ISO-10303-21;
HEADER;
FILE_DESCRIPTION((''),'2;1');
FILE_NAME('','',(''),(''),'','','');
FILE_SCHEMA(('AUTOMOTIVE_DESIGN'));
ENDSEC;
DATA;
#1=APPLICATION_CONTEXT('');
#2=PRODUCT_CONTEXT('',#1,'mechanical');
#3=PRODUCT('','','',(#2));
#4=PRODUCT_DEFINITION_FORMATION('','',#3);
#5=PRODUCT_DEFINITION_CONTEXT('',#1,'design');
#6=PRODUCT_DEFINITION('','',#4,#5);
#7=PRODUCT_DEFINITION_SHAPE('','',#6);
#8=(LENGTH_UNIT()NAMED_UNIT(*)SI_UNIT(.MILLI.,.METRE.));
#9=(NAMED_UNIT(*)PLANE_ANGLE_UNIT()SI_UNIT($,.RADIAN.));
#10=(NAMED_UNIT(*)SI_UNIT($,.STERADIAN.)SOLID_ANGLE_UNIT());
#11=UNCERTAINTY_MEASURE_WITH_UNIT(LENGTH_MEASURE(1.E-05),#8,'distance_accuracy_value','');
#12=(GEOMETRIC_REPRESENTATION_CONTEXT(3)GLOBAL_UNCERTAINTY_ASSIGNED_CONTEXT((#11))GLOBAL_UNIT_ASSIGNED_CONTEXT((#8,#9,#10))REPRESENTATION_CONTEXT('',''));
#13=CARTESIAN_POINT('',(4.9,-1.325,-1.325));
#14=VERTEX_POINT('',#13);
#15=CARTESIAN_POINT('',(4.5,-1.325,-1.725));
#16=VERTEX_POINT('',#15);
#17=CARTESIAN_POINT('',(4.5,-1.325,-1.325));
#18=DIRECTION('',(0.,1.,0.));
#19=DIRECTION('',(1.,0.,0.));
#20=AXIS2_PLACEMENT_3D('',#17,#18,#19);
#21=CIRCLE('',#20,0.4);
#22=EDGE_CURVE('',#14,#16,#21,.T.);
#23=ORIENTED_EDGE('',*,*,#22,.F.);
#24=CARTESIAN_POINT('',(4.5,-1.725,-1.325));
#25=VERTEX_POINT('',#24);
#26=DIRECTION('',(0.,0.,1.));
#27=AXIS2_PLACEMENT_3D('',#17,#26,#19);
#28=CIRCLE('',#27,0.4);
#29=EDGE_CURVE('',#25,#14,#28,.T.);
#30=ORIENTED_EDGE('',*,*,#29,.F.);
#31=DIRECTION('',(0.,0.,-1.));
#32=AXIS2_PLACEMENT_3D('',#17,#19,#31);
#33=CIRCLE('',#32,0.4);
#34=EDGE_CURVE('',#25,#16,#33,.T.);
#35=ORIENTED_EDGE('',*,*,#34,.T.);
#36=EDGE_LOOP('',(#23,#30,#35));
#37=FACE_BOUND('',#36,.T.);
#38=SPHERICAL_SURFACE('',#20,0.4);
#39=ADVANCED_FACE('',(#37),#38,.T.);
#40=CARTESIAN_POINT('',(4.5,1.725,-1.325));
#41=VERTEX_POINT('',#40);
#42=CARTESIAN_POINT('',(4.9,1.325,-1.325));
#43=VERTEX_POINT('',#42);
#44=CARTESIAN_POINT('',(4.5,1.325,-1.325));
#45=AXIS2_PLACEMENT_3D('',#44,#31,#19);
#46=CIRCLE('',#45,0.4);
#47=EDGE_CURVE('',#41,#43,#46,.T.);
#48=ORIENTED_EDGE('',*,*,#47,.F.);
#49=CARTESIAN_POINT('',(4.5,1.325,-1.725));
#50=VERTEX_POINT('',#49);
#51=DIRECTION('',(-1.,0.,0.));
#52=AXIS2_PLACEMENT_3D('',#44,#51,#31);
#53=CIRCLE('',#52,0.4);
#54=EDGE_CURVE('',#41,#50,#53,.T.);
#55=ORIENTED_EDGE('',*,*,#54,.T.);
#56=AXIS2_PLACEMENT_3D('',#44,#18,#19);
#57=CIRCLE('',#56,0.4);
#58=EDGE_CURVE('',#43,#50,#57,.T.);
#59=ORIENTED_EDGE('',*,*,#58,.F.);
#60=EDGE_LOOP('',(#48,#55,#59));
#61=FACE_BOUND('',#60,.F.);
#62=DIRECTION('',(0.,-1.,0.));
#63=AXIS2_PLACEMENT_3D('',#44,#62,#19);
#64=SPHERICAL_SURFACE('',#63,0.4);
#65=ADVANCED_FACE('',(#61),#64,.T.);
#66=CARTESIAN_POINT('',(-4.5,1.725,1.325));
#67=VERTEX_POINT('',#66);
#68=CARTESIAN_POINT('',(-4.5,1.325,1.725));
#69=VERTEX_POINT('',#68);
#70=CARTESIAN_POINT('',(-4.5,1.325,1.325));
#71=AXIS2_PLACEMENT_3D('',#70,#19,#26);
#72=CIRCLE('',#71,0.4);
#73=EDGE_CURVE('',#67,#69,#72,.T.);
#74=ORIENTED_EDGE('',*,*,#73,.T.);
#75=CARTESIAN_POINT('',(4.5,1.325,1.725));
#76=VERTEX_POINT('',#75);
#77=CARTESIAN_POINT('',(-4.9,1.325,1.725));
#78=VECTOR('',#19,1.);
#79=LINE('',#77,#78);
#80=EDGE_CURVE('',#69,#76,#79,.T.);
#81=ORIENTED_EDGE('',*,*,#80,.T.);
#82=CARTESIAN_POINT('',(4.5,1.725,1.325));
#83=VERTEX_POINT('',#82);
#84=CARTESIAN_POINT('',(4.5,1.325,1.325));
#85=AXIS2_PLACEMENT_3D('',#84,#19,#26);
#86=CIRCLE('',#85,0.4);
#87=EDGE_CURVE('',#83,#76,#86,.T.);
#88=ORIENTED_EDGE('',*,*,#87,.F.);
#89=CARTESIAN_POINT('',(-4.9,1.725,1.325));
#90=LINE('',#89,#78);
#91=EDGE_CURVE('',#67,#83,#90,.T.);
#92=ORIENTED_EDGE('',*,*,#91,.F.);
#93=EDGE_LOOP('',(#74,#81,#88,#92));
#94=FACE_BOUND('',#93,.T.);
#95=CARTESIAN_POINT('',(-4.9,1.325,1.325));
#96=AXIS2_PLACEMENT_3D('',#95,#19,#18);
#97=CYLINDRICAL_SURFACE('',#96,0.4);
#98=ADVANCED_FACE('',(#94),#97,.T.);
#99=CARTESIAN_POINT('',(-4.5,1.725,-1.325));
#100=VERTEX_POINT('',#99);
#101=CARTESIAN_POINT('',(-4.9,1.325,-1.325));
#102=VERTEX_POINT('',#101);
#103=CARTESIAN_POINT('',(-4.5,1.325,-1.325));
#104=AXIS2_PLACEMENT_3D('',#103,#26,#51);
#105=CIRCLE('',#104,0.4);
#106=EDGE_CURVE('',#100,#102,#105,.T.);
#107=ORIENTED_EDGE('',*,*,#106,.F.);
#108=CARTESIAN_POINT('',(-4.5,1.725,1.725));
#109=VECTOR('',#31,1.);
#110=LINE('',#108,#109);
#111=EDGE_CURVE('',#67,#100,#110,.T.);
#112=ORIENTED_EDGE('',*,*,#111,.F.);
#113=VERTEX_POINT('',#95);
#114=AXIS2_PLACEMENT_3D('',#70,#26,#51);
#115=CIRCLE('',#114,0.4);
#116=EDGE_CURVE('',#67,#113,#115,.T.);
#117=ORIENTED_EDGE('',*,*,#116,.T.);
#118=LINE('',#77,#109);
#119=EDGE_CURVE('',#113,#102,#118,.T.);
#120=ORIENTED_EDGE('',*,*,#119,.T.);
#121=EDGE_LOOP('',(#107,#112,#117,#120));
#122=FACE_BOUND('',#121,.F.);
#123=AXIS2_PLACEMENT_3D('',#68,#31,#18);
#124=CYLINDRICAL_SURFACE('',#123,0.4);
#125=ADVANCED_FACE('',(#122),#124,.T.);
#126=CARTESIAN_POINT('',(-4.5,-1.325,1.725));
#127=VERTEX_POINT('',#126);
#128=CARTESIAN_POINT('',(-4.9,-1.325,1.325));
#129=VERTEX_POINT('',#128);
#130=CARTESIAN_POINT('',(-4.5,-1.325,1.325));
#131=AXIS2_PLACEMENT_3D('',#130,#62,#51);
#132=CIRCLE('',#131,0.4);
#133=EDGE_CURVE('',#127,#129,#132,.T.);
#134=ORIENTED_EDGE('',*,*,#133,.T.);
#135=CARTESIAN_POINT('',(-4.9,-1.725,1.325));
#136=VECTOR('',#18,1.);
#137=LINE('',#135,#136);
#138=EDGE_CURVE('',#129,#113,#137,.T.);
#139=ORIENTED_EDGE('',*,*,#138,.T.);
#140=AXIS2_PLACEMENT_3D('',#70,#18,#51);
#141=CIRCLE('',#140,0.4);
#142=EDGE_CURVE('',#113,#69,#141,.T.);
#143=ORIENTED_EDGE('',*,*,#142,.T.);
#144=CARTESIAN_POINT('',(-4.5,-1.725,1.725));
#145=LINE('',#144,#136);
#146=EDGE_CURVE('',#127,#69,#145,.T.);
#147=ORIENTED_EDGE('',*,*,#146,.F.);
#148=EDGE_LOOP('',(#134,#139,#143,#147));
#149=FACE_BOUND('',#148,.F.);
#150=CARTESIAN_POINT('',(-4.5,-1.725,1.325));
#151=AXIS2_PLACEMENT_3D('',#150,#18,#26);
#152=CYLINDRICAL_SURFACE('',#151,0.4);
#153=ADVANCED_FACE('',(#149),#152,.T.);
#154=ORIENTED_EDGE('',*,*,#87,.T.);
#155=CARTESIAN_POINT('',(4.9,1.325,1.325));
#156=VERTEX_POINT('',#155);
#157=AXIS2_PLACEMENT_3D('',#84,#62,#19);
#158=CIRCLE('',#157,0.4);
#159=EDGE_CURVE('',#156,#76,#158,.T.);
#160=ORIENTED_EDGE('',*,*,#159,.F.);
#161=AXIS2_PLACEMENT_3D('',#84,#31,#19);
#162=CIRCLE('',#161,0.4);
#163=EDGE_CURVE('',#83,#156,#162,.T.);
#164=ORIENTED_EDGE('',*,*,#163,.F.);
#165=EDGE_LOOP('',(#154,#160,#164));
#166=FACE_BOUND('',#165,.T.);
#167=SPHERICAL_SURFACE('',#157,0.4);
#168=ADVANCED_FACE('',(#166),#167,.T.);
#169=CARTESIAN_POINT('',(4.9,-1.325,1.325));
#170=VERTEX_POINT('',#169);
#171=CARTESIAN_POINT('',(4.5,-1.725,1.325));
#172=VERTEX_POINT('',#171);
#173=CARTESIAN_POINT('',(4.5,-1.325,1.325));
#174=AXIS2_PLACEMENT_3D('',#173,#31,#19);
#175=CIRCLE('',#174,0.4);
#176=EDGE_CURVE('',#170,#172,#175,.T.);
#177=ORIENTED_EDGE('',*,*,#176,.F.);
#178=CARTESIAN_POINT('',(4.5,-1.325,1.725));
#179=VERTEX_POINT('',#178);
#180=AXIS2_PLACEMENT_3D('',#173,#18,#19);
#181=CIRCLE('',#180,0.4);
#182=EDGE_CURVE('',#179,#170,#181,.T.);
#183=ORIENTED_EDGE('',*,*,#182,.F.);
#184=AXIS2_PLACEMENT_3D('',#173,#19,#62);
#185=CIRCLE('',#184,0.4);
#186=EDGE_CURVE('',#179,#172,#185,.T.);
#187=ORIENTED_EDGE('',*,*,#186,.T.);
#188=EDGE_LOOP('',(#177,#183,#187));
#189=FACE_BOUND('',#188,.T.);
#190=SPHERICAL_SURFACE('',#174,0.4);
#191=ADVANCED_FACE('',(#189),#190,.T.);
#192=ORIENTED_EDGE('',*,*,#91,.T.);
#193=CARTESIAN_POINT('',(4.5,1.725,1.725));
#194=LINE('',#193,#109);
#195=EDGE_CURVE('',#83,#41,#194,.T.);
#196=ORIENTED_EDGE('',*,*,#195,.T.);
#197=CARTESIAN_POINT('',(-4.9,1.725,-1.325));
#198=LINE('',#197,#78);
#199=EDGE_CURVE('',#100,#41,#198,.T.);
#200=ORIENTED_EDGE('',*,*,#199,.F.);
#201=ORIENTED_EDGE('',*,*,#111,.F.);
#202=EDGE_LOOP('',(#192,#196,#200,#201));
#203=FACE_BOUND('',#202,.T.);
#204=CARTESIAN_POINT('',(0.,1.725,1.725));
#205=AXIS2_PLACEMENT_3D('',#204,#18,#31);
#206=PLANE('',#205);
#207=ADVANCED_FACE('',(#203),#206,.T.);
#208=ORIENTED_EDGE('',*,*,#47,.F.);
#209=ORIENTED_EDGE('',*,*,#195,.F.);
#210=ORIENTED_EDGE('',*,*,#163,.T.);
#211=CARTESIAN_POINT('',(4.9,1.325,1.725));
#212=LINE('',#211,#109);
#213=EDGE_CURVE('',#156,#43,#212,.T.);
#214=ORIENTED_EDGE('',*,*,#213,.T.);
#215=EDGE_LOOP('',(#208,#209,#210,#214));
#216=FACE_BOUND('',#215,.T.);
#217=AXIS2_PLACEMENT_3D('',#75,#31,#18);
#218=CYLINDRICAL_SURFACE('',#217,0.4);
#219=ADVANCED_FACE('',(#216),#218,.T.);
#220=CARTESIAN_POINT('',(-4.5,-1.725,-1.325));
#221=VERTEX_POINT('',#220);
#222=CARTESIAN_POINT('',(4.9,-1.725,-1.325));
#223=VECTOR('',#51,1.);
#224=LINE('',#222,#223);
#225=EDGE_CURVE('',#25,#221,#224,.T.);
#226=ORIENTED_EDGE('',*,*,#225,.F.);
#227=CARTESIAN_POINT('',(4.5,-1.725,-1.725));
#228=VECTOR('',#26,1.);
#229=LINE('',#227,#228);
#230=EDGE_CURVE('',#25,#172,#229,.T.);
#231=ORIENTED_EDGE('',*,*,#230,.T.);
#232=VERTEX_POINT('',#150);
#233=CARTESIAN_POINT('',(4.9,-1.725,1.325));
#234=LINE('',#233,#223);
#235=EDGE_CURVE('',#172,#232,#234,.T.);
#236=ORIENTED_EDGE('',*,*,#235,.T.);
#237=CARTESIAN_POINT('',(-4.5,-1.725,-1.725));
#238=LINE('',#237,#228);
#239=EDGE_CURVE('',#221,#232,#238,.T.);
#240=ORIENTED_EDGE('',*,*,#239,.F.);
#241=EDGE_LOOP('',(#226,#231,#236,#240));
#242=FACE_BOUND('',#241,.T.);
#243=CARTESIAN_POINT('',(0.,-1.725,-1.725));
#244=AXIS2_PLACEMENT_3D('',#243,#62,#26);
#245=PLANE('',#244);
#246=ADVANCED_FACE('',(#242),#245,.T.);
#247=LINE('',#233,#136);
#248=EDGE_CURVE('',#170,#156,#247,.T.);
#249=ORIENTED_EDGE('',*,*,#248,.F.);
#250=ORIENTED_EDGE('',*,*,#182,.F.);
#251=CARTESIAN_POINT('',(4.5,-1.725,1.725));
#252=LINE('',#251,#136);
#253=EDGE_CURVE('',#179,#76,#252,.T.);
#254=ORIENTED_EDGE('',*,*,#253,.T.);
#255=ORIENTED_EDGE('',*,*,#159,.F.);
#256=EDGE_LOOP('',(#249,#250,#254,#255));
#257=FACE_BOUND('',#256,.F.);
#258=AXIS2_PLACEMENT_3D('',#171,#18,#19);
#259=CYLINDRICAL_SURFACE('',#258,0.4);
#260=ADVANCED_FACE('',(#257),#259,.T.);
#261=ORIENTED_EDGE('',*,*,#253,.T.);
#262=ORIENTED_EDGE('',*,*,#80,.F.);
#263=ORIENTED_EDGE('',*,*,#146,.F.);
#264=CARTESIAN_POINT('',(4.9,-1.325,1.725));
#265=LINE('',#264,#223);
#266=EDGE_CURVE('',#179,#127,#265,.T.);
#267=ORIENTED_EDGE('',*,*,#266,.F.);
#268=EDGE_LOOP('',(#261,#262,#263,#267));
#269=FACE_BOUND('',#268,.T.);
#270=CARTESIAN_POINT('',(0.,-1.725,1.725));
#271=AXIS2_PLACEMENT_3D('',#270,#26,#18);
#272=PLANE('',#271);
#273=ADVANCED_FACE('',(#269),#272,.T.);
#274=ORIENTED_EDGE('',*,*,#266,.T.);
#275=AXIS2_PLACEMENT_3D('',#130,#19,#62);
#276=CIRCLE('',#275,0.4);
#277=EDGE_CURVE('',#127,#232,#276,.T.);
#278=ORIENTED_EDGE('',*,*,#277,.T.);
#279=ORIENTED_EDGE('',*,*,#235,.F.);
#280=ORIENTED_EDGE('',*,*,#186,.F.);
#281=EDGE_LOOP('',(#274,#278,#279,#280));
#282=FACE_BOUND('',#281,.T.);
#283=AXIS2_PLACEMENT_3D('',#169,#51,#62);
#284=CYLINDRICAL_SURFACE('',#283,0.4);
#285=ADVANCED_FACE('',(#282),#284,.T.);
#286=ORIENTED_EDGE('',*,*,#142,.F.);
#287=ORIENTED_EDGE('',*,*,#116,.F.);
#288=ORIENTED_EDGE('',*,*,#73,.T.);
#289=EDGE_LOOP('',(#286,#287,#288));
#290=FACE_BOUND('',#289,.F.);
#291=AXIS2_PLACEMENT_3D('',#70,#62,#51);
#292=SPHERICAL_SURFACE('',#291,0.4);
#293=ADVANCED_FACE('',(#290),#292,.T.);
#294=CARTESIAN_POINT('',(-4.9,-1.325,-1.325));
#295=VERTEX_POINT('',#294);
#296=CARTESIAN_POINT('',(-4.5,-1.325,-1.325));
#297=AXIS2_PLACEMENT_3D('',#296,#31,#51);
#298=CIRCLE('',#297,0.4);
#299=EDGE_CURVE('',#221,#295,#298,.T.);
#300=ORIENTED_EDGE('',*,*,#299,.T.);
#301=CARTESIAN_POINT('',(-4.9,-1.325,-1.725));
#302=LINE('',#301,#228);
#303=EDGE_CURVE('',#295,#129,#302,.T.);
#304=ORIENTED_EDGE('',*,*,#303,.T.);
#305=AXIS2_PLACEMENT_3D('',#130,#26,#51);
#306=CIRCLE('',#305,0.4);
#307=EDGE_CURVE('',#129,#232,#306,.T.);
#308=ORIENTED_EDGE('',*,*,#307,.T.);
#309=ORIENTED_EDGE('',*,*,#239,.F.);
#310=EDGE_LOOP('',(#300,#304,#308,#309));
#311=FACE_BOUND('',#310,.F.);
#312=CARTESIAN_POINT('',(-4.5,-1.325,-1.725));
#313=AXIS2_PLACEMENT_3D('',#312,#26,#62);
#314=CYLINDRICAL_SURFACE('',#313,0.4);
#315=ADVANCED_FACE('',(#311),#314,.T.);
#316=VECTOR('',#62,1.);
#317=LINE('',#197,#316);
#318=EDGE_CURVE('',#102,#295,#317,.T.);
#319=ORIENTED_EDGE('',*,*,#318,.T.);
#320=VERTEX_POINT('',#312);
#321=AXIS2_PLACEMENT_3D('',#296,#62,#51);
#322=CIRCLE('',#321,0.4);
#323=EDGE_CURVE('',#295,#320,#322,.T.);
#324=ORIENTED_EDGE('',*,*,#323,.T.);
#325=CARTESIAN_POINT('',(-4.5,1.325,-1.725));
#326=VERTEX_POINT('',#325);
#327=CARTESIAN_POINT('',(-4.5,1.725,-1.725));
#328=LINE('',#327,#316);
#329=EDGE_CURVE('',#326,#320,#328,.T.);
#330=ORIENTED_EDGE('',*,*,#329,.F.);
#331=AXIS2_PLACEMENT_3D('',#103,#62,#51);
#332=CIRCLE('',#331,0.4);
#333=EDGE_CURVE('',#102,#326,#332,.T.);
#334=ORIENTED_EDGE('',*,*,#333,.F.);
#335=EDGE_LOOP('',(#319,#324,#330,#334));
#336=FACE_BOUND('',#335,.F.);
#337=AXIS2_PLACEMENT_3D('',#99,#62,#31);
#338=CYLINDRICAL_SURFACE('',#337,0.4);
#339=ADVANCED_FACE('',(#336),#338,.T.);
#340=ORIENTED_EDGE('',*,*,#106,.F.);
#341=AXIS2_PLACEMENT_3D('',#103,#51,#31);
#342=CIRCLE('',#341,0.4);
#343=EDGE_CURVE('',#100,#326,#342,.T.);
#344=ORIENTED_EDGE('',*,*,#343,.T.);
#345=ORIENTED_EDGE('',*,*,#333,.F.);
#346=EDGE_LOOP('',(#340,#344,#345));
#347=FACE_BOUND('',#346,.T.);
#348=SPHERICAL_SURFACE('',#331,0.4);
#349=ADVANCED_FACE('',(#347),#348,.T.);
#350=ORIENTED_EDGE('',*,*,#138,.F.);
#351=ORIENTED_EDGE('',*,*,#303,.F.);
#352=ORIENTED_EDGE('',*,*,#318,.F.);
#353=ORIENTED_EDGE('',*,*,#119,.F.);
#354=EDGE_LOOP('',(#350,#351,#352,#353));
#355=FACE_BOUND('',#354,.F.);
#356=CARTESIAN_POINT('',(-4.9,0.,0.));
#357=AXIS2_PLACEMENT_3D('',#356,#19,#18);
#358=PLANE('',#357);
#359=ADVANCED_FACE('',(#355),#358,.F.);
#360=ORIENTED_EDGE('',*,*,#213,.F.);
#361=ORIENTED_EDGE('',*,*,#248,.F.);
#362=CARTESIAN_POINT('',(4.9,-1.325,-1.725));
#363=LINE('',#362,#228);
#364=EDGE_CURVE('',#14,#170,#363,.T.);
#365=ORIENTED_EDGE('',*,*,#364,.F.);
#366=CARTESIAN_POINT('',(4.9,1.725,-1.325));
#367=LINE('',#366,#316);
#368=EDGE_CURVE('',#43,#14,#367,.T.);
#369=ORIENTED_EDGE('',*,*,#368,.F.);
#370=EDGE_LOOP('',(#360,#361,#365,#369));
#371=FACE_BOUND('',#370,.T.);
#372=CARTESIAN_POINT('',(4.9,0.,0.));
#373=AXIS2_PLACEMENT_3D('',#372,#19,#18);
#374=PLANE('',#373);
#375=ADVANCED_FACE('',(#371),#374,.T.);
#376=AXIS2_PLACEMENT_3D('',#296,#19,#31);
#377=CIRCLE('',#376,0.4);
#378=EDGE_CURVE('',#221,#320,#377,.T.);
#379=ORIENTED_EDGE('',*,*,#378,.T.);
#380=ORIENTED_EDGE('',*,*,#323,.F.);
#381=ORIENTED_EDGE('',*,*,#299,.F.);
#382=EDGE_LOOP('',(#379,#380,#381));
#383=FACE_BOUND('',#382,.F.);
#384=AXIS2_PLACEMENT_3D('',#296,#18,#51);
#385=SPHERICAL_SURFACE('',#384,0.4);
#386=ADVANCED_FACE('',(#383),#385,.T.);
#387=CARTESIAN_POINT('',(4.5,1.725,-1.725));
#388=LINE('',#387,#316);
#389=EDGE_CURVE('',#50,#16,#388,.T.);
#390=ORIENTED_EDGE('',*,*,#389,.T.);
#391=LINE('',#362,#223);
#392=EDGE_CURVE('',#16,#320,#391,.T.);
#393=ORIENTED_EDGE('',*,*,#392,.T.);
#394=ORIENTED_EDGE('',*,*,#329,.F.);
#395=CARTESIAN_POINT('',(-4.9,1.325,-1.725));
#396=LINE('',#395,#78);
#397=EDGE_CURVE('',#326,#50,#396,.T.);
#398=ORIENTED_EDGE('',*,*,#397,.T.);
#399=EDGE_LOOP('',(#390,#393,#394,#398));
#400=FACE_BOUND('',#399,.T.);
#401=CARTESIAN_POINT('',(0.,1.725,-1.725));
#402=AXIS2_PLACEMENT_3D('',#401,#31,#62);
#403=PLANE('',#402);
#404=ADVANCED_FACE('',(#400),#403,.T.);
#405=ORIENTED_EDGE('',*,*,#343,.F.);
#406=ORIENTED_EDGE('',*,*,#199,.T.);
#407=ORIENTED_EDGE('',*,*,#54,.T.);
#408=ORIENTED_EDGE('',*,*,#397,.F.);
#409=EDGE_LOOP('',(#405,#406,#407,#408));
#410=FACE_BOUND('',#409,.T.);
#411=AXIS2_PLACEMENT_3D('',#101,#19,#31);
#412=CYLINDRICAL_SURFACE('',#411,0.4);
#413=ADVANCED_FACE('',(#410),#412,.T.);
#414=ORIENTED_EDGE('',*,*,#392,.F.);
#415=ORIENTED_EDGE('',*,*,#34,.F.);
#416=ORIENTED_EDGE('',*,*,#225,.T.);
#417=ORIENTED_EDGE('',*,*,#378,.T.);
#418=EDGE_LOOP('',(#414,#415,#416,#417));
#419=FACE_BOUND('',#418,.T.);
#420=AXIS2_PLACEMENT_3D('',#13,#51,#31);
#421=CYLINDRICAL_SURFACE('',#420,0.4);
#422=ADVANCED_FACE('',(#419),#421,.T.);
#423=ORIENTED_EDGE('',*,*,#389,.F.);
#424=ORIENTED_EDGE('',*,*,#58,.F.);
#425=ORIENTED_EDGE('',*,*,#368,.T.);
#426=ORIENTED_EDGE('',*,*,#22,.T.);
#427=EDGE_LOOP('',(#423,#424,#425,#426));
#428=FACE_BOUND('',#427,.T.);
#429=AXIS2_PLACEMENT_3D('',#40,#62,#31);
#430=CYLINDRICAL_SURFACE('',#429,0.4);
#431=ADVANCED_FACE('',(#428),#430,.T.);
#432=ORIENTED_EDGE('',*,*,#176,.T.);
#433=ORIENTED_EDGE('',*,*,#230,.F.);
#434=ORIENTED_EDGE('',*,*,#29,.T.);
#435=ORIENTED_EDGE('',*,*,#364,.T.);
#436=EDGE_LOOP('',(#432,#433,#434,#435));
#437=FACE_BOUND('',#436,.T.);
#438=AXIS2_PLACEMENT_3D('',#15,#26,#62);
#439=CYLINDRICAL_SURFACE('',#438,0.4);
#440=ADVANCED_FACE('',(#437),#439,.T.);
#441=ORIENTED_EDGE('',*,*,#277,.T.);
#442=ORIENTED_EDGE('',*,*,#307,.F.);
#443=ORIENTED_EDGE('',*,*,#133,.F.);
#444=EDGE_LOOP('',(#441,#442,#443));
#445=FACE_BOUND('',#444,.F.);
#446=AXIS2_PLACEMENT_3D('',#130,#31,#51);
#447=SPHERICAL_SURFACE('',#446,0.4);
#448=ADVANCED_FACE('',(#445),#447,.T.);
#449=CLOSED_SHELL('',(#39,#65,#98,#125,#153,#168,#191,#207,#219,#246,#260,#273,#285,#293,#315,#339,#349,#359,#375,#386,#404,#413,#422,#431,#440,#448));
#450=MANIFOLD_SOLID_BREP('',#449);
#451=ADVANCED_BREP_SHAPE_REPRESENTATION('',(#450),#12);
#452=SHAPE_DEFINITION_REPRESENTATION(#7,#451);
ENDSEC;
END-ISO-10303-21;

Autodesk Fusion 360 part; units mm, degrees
sketch "Sketch1" plane through (0, 0, 0) normal (1, 0, 0) x (0, 1, 0)
  line L0 (1.725, -1.725) -> (-1.725, -1.725)
  line L1 (-1.725, -1.725) -> (-1.725, 1.725)
  line L2 (-1.725, 1.725) -> (1.725, 1.725)
  line L3 (1.725, 1.725) -> (1.725, -1.725)
  line L4 (1.725, -1.725) -> (-1.725, 1.725) construction
  line L5 (-1.725, -1.725) -> (1.725, 1.725) construction
  dimension "d10" = 3.45
  dimension "d11" = 3.45
extrude "Extrude1" add sketch "Sketch1" along normal blind 4.9
extrude "Extrude2" add 1 faces at (0, -0.575, 0.575) along direction (-1, 0, 0) blind 4.9
fillet "Fillet1" radius 0.4 6 faces at (4.9, -0.575, 0.575) (-4.9, -0.575, 0.575) (1.6333, -0.575, 1.725) (1.6333, -1.725, -0.575) (1.6333, 1.725, 0.575) (1.6333, 0.575, -1.725)
equation "d11 = d10"
